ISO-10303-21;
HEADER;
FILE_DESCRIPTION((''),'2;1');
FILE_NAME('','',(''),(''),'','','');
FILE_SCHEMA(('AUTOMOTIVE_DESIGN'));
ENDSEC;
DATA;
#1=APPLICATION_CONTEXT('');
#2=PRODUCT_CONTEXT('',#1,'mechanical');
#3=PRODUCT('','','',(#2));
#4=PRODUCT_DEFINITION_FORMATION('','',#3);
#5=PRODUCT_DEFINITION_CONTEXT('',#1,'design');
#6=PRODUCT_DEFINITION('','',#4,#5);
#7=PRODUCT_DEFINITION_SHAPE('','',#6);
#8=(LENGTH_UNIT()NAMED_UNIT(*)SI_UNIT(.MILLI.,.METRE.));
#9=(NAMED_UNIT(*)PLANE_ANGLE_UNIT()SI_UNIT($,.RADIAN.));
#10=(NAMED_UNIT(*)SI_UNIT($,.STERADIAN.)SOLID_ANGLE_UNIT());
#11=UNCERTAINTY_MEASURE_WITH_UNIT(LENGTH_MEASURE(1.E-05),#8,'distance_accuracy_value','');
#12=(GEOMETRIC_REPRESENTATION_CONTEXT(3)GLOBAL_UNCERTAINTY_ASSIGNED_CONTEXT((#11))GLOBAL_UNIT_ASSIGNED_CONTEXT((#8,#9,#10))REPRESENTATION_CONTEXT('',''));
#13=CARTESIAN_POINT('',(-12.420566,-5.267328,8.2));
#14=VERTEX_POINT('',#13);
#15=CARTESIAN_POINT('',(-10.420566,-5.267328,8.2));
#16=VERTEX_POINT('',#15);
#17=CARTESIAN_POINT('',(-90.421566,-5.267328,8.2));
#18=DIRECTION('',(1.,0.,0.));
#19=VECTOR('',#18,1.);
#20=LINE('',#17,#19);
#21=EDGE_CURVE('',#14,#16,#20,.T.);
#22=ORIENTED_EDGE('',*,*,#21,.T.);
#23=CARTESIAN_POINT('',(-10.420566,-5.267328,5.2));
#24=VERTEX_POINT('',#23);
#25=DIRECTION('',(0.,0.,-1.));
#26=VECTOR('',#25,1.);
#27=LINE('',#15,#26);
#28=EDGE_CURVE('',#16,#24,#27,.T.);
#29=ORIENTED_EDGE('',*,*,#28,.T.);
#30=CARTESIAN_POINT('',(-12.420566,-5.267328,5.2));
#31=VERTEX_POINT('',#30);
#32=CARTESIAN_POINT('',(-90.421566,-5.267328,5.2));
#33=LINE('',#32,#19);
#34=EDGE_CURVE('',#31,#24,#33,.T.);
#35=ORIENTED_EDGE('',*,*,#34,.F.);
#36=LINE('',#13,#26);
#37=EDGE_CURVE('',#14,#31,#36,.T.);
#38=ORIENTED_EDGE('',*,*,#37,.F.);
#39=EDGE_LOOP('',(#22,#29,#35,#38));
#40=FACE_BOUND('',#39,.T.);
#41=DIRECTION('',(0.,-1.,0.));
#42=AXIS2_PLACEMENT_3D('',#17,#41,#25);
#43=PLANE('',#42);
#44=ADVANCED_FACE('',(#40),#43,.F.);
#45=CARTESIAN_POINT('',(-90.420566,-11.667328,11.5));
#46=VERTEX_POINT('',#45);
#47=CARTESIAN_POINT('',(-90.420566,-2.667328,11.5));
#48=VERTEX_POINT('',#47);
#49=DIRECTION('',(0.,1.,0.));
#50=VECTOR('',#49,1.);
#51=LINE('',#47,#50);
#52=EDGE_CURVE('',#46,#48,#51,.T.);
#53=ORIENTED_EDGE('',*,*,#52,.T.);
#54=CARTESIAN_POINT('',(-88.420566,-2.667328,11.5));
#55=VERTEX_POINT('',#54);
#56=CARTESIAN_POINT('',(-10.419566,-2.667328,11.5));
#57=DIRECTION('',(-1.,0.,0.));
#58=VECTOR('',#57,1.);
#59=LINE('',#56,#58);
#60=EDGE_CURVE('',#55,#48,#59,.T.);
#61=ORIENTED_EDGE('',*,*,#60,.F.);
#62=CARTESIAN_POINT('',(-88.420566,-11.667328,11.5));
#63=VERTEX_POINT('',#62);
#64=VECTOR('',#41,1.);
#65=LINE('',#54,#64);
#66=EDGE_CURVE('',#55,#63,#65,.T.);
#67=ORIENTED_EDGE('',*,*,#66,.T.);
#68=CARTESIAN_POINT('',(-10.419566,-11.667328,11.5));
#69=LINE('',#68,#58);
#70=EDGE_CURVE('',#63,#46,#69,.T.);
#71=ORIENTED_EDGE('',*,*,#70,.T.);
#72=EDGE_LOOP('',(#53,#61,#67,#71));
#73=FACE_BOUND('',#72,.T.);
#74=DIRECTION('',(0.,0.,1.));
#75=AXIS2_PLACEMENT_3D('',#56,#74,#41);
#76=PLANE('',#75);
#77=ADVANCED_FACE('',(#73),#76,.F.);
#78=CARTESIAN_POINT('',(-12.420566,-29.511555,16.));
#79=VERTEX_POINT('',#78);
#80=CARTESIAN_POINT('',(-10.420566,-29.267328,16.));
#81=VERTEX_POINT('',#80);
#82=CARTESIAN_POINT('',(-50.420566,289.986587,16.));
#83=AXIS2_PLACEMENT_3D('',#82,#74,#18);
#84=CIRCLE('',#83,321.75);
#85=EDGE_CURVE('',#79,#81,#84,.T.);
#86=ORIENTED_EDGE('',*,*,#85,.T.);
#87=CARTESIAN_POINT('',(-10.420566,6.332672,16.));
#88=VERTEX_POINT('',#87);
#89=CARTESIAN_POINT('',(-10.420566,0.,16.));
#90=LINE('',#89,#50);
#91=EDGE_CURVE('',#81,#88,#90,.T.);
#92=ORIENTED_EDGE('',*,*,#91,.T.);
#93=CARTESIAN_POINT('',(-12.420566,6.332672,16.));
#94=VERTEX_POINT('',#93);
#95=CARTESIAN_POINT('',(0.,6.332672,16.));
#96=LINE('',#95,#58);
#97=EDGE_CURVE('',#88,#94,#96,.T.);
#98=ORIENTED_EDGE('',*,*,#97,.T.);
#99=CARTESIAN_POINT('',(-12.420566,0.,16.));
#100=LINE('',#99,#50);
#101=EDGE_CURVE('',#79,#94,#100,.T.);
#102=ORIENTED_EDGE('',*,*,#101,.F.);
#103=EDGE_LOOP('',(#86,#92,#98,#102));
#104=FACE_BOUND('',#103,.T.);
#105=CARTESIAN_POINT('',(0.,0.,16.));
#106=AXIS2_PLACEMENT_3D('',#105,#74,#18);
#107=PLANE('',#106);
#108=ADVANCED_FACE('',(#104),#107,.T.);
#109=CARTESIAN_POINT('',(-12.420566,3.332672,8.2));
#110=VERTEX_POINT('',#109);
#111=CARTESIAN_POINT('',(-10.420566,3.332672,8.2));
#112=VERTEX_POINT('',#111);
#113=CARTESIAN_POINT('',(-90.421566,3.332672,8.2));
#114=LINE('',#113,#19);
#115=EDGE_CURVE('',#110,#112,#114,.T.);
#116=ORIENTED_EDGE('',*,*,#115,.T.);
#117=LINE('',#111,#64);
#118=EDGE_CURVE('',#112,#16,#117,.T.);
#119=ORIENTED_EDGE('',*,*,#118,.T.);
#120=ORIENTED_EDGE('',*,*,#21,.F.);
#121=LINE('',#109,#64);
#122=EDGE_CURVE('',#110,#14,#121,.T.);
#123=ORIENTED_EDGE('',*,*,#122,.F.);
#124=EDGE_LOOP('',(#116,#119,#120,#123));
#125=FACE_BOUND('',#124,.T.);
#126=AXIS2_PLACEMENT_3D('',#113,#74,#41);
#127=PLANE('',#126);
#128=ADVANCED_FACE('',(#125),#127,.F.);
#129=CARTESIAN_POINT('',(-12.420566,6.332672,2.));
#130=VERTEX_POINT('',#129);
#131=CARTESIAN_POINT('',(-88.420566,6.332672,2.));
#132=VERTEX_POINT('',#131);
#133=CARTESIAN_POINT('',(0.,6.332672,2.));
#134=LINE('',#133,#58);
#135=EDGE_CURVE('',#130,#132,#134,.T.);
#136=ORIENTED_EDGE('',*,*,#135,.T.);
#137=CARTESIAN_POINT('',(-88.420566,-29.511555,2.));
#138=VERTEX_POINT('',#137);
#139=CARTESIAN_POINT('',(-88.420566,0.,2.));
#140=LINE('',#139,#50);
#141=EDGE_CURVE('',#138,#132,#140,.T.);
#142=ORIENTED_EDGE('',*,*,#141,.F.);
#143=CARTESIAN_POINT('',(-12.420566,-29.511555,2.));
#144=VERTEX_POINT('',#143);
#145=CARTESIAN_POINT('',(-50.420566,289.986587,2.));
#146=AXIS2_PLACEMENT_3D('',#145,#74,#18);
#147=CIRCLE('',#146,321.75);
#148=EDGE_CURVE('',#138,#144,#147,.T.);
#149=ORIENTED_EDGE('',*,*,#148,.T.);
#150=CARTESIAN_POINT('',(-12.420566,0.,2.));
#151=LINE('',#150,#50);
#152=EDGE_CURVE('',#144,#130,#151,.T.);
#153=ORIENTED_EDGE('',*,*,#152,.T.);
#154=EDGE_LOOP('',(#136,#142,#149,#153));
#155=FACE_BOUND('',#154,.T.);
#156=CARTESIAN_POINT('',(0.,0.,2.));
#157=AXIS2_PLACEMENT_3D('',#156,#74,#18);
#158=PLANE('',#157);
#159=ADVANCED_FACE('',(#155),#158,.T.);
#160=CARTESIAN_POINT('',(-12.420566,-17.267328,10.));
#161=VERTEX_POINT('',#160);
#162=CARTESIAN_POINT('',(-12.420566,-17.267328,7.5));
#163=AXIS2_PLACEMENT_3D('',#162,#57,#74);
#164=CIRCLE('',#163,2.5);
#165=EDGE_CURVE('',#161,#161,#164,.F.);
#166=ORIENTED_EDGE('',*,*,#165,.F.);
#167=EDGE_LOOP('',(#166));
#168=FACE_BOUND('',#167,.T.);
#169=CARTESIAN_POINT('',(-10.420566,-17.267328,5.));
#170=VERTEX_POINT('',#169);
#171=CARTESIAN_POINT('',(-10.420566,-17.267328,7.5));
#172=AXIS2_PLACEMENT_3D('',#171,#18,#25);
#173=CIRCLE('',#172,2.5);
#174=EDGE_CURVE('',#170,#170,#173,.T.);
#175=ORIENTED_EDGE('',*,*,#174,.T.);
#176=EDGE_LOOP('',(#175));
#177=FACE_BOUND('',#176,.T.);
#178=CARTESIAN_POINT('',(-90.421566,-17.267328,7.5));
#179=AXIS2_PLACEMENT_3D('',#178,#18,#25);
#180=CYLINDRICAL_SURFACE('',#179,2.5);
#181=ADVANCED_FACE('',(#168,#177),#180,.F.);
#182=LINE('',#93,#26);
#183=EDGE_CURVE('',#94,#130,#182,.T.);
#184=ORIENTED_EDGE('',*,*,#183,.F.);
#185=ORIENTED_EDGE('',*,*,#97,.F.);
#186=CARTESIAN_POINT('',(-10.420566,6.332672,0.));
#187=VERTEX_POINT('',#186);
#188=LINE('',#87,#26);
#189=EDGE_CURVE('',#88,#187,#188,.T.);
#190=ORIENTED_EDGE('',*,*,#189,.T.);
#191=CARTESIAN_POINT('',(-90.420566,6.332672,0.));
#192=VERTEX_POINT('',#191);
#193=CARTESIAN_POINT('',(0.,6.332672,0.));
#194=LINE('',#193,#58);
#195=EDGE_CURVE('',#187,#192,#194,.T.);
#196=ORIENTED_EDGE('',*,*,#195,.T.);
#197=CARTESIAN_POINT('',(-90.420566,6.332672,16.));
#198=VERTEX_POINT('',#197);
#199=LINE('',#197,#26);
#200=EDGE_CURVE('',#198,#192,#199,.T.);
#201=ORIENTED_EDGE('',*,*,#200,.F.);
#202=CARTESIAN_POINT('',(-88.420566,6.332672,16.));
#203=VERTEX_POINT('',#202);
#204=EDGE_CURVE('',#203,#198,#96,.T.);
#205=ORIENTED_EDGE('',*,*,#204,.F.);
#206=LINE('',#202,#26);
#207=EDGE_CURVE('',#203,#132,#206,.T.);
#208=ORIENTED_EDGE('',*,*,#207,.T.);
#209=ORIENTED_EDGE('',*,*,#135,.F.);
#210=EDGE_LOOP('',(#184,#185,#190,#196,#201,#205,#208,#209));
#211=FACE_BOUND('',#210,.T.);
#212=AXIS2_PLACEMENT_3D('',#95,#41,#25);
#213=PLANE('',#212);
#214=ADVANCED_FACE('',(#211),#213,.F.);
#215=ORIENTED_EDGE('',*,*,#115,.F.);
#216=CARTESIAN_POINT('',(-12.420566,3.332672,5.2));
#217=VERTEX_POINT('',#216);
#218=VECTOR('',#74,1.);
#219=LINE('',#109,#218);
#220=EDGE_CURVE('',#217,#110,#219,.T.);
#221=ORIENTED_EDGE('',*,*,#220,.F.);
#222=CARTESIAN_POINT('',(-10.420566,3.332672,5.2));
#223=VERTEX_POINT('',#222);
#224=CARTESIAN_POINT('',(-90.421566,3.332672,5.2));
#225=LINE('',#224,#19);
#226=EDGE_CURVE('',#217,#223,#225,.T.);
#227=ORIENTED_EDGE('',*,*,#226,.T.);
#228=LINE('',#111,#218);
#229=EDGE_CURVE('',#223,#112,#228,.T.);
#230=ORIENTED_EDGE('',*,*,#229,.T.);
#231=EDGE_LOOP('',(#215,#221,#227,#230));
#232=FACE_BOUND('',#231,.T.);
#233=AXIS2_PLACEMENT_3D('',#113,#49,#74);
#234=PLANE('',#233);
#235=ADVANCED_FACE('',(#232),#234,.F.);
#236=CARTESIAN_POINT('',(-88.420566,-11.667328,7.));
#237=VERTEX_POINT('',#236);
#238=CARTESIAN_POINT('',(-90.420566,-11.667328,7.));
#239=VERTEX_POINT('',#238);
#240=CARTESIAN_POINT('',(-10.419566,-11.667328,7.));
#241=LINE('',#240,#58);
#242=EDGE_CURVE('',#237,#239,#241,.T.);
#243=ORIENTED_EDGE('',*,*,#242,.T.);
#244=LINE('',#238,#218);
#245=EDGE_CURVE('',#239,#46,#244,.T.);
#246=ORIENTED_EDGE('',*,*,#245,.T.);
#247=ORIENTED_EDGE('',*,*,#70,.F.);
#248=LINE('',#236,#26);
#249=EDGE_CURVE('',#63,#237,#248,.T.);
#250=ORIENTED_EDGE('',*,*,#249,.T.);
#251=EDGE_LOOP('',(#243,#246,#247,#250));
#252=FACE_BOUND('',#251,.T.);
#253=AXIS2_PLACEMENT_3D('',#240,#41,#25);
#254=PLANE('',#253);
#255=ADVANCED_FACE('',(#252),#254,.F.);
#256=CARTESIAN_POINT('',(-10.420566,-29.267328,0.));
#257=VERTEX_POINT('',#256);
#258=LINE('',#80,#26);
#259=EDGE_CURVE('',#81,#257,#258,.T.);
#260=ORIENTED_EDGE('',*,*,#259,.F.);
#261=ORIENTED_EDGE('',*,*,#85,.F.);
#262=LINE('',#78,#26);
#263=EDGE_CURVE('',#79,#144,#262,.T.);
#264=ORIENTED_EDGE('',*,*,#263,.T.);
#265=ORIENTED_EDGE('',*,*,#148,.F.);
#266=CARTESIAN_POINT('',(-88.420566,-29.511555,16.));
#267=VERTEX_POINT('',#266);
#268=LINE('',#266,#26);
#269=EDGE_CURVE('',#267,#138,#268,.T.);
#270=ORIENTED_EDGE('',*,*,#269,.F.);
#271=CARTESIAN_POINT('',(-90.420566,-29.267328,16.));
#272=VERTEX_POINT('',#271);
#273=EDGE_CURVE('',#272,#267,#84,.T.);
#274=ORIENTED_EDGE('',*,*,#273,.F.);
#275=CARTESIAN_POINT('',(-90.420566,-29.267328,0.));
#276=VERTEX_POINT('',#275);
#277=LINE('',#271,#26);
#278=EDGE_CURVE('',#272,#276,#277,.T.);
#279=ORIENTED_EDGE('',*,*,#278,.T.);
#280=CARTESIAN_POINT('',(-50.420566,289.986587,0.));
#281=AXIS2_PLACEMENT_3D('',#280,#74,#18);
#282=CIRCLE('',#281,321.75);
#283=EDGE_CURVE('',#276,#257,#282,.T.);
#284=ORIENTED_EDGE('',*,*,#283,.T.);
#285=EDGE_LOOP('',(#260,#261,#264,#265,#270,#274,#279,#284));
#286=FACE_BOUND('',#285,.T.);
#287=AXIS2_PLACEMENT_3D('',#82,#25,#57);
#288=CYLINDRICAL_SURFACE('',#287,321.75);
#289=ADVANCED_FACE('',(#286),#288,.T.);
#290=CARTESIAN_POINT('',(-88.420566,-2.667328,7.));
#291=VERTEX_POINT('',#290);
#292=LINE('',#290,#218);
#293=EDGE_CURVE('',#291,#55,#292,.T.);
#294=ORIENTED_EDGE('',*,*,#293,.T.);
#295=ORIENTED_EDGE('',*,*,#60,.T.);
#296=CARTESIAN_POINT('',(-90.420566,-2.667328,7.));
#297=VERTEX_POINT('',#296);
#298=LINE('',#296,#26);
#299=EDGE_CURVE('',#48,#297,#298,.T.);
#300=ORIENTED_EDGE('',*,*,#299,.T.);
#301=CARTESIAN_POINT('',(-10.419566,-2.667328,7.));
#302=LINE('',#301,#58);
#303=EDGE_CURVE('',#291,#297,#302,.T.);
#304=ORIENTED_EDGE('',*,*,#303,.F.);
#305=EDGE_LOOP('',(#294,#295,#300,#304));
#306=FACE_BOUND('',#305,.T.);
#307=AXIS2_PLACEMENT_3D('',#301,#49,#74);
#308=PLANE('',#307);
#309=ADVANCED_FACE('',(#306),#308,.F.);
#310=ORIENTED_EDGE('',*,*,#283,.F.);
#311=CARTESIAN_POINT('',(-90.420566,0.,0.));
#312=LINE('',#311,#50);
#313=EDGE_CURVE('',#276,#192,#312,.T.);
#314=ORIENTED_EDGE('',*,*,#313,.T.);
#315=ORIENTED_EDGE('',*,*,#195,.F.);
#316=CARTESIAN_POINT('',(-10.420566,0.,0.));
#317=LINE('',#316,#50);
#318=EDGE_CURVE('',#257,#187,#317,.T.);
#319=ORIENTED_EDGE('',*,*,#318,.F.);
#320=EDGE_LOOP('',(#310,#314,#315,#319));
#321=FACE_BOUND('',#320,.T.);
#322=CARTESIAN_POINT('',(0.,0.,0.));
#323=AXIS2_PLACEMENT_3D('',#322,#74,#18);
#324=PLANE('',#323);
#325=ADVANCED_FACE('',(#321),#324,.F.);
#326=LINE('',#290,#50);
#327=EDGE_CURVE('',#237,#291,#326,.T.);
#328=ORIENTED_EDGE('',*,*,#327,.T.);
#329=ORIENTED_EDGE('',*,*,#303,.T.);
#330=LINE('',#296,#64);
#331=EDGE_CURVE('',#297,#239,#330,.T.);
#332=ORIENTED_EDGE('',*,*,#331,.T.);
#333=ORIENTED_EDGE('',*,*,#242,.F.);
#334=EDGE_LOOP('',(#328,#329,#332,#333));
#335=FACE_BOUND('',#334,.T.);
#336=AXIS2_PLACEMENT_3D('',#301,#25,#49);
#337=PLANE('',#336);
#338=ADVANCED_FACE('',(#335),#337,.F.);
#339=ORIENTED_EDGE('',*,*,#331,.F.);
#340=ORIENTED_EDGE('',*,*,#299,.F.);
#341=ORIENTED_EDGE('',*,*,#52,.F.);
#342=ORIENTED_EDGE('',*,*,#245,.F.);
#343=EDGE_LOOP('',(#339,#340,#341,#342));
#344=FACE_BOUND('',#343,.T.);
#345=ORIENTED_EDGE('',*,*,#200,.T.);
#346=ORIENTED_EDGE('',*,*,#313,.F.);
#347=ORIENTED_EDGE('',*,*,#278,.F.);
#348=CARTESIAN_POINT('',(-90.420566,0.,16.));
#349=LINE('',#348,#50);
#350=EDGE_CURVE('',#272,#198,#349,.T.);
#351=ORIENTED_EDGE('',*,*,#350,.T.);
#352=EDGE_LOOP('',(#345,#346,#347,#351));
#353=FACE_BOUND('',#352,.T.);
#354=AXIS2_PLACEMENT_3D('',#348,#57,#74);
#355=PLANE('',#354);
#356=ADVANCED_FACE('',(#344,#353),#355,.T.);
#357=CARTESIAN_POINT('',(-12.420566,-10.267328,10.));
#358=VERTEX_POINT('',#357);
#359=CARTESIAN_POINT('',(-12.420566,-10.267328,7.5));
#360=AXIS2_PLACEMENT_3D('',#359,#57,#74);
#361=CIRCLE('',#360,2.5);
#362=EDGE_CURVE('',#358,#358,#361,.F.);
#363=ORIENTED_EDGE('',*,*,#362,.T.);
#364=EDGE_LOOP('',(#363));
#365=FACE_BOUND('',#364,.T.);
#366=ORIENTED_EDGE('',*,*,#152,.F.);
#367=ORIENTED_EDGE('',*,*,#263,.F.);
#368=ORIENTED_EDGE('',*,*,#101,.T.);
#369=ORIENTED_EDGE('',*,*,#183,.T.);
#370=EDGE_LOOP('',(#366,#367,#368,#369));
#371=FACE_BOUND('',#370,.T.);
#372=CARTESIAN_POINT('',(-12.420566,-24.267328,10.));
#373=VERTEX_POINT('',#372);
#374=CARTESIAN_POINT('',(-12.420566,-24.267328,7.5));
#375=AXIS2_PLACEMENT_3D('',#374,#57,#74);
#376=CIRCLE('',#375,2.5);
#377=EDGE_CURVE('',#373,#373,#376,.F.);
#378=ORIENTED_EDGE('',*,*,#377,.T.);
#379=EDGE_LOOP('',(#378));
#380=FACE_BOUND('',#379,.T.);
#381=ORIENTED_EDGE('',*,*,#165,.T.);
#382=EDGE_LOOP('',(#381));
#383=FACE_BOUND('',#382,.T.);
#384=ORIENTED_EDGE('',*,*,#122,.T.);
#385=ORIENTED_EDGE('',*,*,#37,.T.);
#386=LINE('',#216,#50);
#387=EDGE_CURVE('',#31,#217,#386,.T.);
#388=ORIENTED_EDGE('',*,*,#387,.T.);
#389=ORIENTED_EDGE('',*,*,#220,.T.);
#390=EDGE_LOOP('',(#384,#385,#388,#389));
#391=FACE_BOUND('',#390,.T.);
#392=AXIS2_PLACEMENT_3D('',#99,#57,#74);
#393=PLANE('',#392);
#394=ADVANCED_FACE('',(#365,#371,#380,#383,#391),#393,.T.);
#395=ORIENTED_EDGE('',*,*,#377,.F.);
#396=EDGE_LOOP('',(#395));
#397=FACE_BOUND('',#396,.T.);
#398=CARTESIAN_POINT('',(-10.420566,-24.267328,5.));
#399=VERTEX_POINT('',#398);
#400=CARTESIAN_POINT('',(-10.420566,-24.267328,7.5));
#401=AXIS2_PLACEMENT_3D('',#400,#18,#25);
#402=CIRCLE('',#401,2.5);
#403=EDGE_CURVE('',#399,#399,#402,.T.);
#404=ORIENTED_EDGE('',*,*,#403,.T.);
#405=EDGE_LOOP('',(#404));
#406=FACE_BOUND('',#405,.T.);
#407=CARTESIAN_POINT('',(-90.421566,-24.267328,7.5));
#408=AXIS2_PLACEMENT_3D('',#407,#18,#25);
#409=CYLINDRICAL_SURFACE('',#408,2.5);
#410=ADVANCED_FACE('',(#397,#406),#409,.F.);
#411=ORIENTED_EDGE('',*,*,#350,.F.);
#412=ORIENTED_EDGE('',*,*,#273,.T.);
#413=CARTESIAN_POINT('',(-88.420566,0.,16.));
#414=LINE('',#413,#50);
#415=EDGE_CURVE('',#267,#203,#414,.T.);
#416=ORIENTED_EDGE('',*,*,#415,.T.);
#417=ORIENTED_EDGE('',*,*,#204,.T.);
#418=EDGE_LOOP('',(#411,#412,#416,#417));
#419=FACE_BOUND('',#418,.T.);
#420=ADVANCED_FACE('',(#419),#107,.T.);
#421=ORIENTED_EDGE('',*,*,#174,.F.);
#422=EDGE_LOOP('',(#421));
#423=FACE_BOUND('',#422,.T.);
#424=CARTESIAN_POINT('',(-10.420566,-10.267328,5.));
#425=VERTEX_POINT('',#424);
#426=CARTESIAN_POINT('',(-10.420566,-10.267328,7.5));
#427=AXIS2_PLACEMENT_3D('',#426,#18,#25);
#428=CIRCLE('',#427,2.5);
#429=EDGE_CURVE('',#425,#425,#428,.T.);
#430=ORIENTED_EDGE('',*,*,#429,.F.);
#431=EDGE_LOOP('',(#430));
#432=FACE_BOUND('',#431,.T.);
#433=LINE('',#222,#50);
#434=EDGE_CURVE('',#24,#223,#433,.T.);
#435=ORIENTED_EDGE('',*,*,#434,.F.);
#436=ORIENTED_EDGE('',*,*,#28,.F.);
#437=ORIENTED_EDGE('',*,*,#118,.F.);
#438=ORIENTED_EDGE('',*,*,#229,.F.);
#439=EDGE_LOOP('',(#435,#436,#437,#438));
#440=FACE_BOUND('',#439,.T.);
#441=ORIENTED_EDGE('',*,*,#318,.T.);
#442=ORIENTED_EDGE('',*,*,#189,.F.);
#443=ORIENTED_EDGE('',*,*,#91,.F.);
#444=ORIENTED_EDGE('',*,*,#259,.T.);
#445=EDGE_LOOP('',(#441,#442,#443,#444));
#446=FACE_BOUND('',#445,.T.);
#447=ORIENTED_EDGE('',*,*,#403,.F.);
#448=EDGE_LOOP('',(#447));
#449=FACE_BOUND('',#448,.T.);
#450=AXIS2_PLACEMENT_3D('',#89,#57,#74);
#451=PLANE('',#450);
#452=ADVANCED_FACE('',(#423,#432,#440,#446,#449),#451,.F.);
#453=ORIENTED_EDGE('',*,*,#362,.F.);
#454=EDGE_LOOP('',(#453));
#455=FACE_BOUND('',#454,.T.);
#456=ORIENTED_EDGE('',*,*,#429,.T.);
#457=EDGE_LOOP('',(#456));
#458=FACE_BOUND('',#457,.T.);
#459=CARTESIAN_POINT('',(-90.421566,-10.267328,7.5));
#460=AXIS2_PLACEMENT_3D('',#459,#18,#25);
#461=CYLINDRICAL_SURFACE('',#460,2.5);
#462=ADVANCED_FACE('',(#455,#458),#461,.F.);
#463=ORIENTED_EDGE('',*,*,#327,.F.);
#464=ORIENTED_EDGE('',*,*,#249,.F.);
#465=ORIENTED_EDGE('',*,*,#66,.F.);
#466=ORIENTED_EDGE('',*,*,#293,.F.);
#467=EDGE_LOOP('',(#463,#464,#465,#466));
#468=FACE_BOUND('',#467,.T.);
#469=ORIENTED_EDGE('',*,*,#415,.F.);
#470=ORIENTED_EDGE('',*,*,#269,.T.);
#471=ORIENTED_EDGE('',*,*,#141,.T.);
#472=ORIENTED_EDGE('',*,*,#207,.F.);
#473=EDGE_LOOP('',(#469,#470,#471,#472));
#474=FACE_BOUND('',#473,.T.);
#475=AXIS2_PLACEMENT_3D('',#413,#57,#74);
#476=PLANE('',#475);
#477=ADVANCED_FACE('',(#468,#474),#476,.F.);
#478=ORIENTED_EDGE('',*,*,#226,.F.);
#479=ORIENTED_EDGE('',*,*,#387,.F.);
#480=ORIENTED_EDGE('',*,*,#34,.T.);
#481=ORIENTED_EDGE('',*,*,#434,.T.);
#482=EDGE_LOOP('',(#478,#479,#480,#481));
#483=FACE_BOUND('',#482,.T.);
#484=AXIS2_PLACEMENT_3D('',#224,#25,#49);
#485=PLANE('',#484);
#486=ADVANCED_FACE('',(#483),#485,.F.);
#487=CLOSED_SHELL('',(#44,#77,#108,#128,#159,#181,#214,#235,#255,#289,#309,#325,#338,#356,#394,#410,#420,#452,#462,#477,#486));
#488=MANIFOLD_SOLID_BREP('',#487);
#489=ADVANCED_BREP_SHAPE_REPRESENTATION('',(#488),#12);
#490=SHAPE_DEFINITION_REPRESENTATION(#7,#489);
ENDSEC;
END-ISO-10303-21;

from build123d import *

# Parameters (mm, degrees)
SKETCH_1_W          = 80
SKETCH_1_H          = 35.6
EXTRUDE_1_DEPTH     = 16
SHELL_1_T           = -2
CUT_EXTRUDE_3_REACH = 89.549
SKETCH_2_W          = 4.5
SKETCH_2_H          = 9
CUT_EXTRUDE_4_REACH = 89.549
SKETCH_6_R          = 2.5
SKETCH_6_W          = 3
SKETCH_6_H          = 8.6


with BuildPart() as part:
    # 草图1 → 凸台-拉伸1 (new body)
    with BuildSketch(Plane.XY):
        with Locations((-50.420566467, -11.467328482)):
            Rectangle(SKETCH_1_W, SKETCH_1_H)
        with BuildLine():
            Line((-10.420566467, -29.267328482), (-90.420566467, -29.267328482))
            ThreePointArc((-90.420566467, -29.267328482), (-50.420566467, -31.763413079), (-10.420566467, -29.267328482))
        make_face()
    extrude(amount=EXTRUDE_1_DEPTH)

    # 抽壳1
    shell_1_openings = [part.faces().sort_by_distance(p)[0] for p in [
        (-50.420566467, -12.307426738, 16),
        (-50.420566467, 6.332671518, 8),
        (-50.420566467, -31.763413079, 8),
    ]]
    offset(amount=SHELL_1_T, openings=shell_1_openings, kind=Kind.INTERSECTION)

    # 草图2 → 切除-拉伸3 (cut, up to next)
    with BuildSketch(Plane.ZY.offset(90.420566467), mode=Mode.PRIVATE) as cut_extrude_3_sk1:
        with Locations((9.25, -7.167328482)):
            Rectangle(SKETCH_2_W, SKETCH_2_H)
    cut_extrude_3_tool1 = extrude(cut_extrude_3_sk1.sketch, amount=-CUT_EXTRUDE_3_REACH, mode=Mode.PRIVATE) & part.part
    add(cut_extrude_3_tool1.solids().sort_by_distance((-90.420566, -7.167328, 9.25))[0], mode=Mode.SUBTRACT)

    # 草图6 → 切除-拉伸4 (cut, up to next)
    with BuildSketch(Plane(origin=(-10.420566467, 0, 0), x_dir=(0, 0, -1), z_dir=(1, 0, 0)), mode=Mode.PRIVATE) as cut_extrude_4_sk1:
        with Locations((-7.5, -10.267328482)):
            Circle(SKETCH_6_R)
    cut_extrude_4_tool1 = extrude(cut_extrude_4_sk1.sketch, amount=-CUT_EXTRUDE_4_REACH, mode=Mode.PRIVATE) & part.part
    # 草图6 → 切除-拉伸4 (cut, up to next)
    with BuildSketch(Plane(origin=(-10.420566467, 0, 0), x_dir=(0, 0, -1), z_dir=(1, 0, 0)), mode=Mode.PRIVATE) as cut_extrude_4_sk2:
        with Locations((-7.5, -17.267328482)):
            Circle(SKETCH_6_R)
    cut_extrude_4_tool2 = extrude(cut_extrude_4_sk2.sketch, amount=-CUT_EXTRUDE_4_REACH, mode=Mode.PRIVATE) & part.part
    # 草图6 → 切除-拉伸4 (cut, up to next)
    with BuildSketch(Plane(origin=(-10.420566467, 0, 0), x_dir=(0, 0, -1), z_dir=(1, 0, 0)), mode=Mode.PRIVATE) as cut_extrude_4_sk3:
        with Locations((-7.5, -24.267328482)):
            Circle(SKETCH_6_R)
    cut_extrude_4_tool3 = extrude(cut_extrude_4_sk3.sketch, amount=-CUT_EXTRUDE_4_REACH, mode=Mode.PRIVATE) & part.part
    # 草图6 → 切除-拉伸4 (cut, up to next)
    with BuildSketch(Plane(origin=(-10.420566467, 0, 0), x_dir=(0, 0, -1), z_dir=(1, 0, 0)), mode=Mode.PRIVATE) as cut_extrude_4_sk4:
        with Locations((-6.7, -0.967328482)):
            Rectangle(SKETCH_6_W, SKETCH_6_H)
    cut_extrude_4_tool4 = extrude(cut_extrude_4_sk4.sketch, amount=-CUT_EXTRUDE_4_REACH, mode=Mode.PRIVATE) & part.part
    add(cut_extrude_4_tool1.solids().sort_by_distance((-10.420566, -10.267328, 7.5))[0], mode=Mode.SUBTRACT)
    add(cut_extrude_4_tool2.solids().sort_by_distance((-10.420566, -17.267328, 7.5))[0], mode=Mode.SUBTRACT)
    add(cut_extrude_4_tool3.solids().sort_by_distance((-10.420566, -24.267328, 7.5))[0], mode=Mode.SUBTRACT)
    add(cut_extrude_4_tool4.solids().sort_by_distance((-10.420566, -0.967328, 6.7))[0], mode=Mode.SUBTRACT)


solid = part.part
